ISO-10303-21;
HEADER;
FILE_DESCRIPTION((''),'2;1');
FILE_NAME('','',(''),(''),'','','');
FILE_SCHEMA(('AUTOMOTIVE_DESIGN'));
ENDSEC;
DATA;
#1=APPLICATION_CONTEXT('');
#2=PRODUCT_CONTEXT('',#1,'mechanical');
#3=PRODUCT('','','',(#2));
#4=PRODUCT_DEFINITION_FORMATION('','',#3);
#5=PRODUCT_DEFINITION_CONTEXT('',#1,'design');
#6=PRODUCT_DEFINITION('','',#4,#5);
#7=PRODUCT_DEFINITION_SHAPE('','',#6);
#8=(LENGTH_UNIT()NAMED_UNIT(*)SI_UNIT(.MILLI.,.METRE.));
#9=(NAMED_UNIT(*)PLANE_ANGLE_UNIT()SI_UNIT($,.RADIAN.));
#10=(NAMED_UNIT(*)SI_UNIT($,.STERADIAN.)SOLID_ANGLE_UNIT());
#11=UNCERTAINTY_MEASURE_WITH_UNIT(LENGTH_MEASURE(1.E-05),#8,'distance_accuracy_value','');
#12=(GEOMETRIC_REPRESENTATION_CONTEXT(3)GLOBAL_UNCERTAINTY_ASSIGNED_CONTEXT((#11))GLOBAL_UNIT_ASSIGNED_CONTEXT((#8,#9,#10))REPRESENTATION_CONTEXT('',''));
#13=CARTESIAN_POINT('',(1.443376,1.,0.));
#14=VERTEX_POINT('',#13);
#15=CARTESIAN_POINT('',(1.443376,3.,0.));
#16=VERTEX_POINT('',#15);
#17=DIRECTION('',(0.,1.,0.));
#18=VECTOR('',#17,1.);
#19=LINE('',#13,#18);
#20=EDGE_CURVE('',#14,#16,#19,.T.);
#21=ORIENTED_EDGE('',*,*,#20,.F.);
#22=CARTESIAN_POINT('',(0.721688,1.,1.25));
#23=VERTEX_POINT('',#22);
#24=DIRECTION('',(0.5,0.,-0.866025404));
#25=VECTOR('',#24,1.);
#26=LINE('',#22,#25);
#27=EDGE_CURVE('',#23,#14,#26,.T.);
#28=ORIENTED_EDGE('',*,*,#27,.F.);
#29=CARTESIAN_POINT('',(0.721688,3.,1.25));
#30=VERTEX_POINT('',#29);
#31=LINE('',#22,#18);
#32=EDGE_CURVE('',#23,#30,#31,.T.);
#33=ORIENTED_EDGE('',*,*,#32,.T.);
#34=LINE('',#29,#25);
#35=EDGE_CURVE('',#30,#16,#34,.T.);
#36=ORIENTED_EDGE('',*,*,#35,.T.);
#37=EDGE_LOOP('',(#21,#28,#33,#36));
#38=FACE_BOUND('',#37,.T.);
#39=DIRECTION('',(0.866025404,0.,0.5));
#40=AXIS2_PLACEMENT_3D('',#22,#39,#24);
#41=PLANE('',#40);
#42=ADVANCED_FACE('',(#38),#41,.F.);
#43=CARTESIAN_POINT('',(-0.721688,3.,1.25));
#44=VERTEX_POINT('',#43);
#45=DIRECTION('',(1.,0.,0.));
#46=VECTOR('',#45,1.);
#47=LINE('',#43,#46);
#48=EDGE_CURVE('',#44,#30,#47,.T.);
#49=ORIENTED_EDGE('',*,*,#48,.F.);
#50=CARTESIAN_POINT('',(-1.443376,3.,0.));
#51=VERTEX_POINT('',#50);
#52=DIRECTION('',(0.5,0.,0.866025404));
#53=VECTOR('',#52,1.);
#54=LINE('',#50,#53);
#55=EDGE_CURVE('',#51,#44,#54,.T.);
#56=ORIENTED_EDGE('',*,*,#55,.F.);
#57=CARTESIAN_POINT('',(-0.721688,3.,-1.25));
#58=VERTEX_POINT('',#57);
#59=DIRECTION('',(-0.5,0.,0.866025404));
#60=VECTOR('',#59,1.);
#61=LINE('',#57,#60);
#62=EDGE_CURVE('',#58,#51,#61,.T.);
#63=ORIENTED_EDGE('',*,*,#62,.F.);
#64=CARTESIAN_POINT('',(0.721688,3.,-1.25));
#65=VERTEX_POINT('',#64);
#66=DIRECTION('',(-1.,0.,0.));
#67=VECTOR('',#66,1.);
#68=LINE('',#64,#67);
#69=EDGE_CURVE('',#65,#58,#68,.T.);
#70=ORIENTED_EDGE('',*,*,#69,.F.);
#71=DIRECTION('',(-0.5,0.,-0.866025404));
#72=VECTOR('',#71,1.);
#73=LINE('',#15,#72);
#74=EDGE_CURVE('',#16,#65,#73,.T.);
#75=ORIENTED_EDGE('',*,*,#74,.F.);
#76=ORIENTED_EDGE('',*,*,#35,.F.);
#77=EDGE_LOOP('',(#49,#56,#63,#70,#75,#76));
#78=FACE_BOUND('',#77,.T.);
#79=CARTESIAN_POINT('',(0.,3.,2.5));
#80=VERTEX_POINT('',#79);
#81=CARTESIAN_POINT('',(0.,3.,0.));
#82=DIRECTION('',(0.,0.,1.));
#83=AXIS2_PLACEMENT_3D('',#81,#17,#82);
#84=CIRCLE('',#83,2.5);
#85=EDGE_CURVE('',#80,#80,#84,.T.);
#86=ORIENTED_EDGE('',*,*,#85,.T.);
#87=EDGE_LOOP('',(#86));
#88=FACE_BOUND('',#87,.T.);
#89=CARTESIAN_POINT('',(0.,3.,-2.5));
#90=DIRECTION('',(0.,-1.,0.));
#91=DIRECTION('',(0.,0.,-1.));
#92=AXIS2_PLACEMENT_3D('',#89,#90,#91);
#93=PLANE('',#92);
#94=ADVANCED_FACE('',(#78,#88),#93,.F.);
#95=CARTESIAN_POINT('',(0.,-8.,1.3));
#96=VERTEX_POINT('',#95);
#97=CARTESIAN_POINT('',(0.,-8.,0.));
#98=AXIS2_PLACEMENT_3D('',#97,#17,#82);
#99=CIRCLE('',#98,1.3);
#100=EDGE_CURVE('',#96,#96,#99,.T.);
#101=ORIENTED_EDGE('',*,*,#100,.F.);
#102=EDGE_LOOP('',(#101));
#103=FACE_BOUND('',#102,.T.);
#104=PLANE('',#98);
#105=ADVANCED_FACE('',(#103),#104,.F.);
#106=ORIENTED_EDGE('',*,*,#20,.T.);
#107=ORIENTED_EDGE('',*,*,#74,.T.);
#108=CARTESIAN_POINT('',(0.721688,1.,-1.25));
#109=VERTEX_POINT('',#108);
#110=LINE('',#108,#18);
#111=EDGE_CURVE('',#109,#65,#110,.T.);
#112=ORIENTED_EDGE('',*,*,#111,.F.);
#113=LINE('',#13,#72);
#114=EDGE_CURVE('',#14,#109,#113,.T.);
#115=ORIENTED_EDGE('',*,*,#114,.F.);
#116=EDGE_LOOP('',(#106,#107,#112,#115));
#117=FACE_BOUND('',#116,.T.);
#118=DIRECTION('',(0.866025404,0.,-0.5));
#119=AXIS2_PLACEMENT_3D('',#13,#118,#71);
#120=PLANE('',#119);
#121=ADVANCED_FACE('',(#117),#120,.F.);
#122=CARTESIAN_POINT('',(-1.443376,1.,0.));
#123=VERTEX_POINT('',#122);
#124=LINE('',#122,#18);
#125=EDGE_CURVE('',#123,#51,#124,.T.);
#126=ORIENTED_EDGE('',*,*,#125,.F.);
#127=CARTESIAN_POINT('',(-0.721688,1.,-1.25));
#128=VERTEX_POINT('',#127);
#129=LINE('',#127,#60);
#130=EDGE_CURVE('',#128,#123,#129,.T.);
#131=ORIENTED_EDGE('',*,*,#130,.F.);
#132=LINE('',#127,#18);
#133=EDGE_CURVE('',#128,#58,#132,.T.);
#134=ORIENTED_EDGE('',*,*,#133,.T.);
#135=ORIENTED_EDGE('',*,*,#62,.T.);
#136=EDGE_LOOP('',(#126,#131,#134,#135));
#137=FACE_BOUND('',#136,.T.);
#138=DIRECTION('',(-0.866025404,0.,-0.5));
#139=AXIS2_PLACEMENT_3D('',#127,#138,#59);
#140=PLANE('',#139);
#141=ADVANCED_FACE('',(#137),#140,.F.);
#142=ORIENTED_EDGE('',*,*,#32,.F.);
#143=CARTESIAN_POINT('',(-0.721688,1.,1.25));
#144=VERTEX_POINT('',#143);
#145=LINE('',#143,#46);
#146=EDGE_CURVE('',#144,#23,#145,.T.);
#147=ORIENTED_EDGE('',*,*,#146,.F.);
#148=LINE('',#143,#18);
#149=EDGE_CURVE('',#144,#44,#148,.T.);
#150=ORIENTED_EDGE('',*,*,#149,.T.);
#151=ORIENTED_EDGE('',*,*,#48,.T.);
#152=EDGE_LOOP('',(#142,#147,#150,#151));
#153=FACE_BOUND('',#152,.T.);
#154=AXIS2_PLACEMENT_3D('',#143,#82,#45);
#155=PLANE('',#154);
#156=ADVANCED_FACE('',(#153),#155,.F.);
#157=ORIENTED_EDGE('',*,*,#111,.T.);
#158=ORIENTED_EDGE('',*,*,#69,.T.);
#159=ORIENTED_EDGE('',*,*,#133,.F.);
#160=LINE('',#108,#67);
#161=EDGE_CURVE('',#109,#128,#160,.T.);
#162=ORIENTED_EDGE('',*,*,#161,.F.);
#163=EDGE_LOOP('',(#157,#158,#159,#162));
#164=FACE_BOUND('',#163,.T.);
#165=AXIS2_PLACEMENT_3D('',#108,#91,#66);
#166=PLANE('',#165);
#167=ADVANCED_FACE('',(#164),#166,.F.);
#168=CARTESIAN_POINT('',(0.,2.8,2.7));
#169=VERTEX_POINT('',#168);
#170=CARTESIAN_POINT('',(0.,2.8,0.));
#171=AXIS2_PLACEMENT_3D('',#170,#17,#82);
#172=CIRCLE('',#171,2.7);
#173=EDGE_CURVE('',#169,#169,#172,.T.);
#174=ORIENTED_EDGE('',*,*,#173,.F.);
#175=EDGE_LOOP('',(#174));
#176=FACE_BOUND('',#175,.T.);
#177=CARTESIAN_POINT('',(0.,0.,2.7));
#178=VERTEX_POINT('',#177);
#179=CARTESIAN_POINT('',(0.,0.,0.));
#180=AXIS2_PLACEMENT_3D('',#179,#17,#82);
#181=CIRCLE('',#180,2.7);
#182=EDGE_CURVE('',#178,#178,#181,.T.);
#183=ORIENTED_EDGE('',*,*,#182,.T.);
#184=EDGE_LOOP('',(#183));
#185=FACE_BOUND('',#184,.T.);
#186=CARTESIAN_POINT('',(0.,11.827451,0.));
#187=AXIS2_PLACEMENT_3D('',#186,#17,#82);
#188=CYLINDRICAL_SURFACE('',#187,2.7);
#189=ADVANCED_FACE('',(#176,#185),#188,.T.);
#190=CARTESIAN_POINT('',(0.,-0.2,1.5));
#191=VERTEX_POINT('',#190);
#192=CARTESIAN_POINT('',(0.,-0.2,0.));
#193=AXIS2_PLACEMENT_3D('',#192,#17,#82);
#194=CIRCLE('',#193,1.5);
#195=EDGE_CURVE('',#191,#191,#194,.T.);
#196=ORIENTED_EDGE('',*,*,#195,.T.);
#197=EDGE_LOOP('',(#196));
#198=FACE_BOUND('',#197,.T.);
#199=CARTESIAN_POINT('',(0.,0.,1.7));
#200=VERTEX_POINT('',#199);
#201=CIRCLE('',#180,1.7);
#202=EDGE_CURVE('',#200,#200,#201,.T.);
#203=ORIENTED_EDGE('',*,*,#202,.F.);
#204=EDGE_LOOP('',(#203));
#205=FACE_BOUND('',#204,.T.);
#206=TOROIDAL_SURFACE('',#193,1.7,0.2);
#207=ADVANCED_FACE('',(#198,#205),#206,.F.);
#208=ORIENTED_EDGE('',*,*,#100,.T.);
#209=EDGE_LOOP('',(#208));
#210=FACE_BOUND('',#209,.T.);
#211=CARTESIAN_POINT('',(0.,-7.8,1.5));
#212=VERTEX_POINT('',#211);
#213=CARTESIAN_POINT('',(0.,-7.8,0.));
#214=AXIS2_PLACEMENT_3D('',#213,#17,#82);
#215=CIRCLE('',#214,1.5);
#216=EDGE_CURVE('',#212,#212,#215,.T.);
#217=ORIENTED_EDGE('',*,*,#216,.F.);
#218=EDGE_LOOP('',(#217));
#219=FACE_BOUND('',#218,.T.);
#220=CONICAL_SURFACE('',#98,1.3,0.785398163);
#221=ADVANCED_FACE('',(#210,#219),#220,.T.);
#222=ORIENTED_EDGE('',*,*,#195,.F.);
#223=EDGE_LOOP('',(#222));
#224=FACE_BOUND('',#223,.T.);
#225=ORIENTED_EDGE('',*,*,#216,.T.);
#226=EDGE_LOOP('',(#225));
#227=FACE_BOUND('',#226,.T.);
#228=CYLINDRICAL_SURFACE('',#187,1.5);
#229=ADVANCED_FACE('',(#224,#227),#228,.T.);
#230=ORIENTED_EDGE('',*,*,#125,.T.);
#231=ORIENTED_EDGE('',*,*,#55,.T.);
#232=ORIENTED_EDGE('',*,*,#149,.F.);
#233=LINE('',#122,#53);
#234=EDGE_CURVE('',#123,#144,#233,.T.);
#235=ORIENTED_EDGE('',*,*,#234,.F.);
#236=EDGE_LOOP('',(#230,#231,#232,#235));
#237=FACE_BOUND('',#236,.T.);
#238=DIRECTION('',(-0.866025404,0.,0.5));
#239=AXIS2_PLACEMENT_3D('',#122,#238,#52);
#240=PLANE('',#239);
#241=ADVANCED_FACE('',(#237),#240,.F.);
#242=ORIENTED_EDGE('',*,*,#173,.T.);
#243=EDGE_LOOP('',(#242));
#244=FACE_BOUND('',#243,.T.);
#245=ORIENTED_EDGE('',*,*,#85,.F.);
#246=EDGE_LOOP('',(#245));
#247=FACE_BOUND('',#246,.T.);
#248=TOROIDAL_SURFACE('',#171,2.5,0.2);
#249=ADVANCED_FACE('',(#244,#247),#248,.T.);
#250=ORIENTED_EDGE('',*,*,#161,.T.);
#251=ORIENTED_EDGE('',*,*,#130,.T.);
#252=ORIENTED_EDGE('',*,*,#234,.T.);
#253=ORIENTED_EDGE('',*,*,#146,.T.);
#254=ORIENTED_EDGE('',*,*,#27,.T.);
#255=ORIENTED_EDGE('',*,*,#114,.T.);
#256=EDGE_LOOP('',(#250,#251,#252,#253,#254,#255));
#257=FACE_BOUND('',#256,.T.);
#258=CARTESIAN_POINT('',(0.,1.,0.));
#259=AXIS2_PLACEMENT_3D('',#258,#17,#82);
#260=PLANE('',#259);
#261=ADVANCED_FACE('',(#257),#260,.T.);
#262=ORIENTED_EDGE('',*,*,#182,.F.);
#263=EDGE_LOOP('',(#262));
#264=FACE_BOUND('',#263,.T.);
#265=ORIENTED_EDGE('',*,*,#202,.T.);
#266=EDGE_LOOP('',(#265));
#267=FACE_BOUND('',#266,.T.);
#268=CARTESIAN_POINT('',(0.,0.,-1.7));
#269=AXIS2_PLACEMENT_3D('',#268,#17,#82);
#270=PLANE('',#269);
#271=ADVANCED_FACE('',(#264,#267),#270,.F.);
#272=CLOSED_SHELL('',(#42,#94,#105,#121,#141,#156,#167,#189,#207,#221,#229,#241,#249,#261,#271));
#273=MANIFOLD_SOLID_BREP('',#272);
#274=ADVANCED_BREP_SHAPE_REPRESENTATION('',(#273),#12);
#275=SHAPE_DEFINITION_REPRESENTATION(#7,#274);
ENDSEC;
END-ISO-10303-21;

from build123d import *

# Parameters (mm, degrees)
CUT_EXTRUDE1_DEPTH = 2


with BuildPart() as part:
    # Sketch1 → Revolve1 (revolve)
    with BuildSketch(Plane(origin=(0, 0, 0), x_dir=(0, 0, -1), z_dir=(1, 0, 0)), mode=Mode.PRIVATE) as revolve1_sk:
        with BuildLine():
            Line((0, 3), (0, -8))
            Line((0, -8), (1.3, -8))
            Line((1.3, -8), (1.5, -7.8))
            Line((1.5, -7.8), (1.5, -0.2))
            ThreePointArc((1.5, -0.2), (1.558578644, -0.058578644), (1.7, 0))
            Line((1.7, 0), (2.7, 0))
            Line((2.7, 0), (2.7, 2.8))
            ThreePointArc((2.7, 2.8), (2.641421356, 2.941421356), (2.5, 3))
            Line((2.5, 3), (0, 3))
        make_face()
    revolve(revolve1_sk.sketch.rotate(Axis((0, 11.82745098, 0), (0, -1, 0)), 180), axis=Axis((0, 11.82745098, 0), (0, -1, 0)))

    # Sketch2 → Cut-Extrude1 (cut)
    with BuildSketch(Plane(origin=(0, 3, 0), x_dir=(1, 0, 0), z_dir=(0, 1, 0))):
        Polygon((0.721687836, 1.25), (-0.721687836, 1.25), (-1.443375673, 0), (-0.721687836, -1.25), (0.721687836, -1.25), (1.443375673, 0), align=None)
    extrude(amount=-CUT_EXTRUDE1_DEPTH, mode=Mode.SUBTRACT)


solid = part.part
